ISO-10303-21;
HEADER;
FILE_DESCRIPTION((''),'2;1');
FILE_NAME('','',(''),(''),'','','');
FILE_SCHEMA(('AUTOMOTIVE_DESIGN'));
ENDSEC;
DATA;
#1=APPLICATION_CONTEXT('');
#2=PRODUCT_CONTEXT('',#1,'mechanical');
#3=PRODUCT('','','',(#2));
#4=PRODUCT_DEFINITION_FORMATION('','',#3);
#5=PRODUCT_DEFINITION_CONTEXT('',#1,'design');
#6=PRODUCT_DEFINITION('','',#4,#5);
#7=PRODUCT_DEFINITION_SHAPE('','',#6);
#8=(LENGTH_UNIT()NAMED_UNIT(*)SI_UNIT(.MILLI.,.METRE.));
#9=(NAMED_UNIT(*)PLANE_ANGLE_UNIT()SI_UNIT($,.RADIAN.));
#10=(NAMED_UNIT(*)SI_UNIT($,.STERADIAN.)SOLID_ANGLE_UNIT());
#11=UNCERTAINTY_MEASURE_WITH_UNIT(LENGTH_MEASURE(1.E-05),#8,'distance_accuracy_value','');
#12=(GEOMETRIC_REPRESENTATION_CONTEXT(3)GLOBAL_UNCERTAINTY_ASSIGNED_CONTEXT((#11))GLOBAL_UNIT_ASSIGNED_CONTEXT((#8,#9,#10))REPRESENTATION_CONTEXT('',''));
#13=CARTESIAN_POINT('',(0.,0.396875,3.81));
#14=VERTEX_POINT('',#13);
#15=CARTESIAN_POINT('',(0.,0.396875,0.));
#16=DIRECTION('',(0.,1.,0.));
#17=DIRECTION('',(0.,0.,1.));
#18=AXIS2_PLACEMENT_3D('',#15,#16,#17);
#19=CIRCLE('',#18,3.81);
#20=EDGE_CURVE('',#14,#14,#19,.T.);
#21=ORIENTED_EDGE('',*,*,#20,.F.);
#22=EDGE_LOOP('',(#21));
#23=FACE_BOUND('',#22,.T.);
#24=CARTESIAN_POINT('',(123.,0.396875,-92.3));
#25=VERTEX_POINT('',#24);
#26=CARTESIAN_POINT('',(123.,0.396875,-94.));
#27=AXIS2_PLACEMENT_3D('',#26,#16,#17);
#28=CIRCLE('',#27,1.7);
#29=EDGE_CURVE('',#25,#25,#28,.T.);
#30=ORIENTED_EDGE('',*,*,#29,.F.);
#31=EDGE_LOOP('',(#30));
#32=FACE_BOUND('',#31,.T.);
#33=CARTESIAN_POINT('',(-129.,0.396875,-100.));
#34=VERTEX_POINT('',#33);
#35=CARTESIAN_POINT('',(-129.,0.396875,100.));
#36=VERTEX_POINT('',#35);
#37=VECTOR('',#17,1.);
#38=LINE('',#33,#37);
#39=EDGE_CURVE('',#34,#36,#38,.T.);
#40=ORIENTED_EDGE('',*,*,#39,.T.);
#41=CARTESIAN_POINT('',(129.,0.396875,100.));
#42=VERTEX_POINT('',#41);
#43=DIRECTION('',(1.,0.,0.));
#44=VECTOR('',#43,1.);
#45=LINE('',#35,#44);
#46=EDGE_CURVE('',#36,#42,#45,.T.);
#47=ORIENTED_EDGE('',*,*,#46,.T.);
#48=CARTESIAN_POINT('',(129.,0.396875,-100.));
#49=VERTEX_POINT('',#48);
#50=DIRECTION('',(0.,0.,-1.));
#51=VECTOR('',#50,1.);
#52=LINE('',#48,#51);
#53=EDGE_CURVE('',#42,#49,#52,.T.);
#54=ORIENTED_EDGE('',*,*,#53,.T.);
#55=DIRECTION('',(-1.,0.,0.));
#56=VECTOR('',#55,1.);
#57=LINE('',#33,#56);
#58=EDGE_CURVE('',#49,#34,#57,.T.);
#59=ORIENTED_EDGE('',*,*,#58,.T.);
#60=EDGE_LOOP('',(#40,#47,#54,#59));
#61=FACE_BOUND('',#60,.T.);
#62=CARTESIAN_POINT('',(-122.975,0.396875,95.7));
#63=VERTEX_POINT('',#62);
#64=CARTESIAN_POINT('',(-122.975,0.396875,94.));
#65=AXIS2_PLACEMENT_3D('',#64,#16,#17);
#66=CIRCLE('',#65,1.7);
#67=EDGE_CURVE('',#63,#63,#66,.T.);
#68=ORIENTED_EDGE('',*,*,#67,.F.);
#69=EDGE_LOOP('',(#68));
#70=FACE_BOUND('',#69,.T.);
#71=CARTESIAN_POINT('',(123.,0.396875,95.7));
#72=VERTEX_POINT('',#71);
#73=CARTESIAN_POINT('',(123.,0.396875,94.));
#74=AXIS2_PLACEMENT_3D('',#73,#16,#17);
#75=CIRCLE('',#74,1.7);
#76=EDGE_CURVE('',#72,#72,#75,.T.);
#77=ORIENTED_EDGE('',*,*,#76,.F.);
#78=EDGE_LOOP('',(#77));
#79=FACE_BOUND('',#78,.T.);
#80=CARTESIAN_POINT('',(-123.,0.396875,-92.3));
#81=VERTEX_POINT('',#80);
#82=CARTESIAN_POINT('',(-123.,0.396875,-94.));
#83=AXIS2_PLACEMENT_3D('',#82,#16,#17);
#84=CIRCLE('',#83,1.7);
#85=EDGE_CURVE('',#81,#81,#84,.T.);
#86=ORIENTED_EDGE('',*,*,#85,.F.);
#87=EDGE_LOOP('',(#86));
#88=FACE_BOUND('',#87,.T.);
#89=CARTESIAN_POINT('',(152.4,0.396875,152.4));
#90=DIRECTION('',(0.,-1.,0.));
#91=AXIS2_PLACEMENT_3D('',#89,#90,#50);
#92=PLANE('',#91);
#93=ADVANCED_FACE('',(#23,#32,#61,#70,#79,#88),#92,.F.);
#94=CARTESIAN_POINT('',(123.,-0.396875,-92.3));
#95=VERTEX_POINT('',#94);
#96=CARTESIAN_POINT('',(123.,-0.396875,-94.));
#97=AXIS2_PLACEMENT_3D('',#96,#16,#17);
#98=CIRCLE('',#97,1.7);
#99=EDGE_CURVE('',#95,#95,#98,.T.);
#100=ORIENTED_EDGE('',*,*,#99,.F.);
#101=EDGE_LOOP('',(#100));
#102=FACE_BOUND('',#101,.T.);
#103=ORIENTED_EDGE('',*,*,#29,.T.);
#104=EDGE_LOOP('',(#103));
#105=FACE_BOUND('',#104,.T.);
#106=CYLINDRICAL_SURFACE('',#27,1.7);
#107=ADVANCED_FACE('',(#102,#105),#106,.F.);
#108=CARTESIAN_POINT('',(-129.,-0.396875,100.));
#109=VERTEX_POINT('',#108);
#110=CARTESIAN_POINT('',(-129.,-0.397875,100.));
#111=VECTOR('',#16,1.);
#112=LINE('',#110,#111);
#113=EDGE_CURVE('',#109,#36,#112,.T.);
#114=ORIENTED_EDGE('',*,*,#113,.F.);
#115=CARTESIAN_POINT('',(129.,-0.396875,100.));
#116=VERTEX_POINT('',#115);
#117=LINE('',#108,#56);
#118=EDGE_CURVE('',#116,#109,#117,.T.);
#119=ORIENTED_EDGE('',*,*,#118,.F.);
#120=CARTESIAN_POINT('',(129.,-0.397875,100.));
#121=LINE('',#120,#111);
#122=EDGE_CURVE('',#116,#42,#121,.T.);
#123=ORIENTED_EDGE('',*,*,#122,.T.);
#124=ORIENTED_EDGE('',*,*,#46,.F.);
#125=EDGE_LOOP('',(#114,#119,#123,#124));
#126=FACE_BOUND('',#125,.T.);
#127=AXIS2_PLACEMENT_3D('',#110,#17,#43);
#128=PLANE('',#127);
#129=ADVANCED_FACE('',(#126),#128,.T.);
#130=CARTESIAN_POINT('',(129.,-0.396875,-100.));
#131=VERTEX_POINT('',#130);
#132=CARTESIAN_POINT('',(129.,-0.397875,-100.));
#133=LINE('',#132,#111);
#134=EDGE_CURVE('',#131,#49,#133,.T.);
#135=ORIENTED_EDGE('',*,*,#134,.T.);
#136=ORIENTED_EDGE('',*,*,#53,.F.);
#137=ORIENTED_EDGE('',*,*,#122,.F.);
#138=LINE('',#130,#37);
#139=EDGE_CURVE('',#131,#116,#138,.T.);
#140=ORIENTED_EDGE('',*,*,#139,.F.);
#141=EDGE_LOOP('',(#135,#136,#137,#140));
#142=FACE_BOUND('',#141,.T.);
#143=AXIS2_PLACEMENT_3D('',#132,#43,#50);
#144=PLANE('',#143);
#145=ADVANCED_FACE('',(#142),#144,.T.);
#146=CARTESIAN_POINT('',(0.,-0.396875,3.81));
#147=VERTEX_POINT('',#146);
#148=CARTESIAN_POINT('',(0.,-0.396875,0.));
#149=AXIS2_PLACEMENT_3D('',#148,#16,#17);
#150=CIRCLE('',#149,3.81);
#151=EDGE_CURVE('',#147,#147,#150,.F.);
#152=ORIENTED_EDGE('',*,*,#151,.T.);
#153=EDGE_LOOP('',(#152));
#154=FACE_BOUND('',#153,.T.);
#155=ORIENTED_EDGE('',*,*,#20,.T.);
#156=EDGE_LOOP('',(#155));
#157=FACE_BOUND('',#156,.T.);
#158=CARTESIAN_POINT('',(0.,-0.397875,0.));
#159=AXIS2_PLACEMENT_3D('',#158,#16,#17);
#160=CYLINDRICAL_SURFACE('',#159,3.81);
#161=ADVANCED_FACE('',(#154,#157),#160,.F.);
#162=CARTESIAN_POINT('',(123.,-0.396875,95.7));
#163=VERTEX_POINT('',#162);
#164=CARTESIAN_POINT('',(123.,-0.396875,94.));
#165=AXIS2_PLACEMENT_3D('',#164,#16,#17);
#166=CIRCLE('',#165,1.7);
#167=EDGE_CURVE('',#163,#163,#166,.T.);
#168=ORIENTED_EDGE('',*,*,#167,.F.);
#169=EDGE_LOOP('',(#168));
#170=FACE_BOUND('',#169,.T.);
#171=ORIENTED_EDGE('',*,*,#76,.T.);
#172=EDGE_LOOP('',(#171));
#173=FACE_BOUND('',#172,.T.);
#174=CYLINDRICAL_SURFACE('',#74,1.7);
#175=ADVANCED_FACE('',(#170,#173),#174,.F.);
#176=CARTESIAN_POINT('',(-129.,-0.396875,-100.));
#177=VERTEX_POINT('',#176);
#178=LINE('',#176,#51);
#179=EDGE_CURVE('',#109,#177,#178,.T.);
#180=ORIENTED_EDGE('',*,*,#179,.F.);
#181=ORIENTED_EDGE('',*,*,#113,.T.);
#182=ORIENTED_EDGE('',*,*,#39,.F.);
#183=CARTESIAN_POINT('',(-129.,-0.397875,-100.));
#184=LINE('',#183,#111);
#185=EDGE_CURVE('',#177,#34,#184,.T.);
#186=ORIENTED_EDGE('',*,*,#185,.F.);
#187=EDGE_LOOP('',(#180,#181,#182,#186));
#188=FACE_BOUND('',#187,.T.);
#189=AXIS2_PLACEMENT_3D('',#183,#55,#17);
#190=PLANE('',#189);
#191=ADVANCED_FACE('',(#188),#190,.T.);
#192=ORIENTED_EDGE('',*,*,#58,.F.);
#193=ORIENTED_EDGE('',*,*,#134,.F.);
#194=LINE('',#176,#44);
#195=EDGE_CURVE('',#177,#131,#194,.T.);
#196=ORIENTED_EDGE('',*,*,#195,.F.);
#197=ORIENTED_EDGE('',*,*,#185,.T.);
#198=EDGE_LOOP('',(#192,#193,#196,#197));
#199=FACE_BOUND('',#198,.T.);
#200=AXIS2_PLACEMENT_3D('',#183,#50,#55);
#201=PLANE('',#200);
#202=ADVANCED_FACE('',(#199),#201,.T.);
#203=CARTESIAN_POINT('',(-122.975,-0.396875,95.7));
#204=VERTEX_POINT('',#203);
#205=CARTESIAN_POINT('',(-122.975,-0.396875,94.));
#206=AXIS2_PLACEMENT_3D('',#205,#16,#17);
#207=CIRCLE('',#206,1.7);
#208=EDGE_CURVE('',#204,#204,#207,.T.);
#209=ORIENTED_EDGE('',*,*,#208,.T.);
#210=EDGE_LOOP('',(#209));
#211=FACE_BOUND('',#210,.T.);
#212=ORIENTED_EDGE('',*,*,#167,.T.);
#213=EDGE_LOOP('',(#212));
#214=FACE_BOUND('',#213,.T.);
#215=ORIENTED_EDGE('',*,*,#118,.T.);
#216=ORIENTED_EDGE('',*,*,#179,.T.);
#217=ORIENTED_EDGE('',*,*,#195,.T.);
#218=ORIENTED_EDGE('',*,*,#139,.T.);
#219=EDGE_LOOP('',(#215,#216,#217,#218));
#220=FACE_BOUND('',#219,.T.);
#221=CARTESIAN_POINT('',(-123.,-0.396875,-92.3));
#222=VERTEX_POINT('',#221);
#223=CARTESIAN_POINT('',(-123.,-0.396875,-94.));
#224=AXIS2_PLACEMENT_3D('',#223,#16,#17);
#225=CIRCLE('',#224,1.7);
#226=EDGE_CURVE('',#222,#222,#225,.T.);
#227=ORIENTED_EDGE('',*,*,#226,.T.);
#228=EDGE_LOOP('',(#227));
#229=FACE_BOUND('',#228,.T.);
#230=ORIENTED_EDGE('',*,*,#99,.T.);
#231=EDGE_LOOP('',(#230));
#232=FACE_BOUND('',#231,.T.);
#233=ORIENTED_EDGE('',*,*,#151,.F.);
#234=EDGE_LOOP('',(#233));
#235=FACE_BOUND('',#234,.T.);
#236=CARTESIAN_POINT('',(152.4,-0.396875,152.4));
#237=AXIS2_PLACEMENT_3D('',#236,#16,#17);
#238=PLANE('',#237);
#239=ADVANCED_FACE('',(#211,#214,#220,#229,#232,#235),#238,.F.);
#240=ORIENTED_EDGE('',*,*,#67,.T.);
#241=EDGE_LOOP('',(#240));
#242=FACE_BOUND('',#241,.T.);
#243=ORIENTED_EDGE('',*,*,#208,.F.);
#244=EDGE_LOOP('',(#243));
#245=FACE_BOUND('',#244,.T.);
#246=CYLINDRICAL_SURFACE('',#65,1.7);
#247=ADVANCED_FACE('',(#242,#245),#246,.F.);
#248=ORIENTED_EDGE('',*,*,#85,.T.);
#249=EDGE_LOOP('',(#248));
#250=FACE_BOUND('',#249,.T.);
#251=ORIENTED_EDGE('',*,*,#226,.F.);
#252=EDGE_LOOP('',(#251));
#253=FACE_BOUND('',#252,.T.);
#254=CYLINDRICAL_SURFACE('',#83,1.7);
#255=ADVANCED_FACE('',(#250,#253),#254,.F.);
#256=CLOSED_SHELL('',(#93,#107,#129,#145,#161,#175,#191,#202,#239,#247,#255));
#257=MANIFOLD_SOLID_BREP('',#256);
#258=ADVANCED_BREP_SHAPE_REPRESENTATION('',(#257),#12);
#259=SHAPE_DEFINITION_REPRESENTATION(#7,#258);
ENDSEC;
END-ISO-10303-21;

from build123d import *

# Parameters (mm, degrees)
BOSS_EXTRUDE1_DEPTH      = 152.4
BOSS_EXTRUDE1_DEPTH_BACK = 152.4
SKETCH3_W                = 304.8
SKETCH3_H                = 0.79375
SKETCH4_OUTSIDE_W        = 393.01
SKETCH4_OUTSIDE_H        = 393.01
SKETCH4_OUTSIDE_W_2      = 258
SKETCH4_OUTSIDE_H_2      = 200
FIT2ENCLOSURE_DEPTH      = 0.79375
CUBEMOUNTHOLES_D         = 3.4
DRAINHOLE_REACH          = 165.223
SKETCH8_R                = 3.81


with BuildPart() as part:
    # Sketch3 → Boss-Extrude1 (new, two sides: drawn at the far end of the back side and taken through both)
    with BuildSketch(Plane.XY.offset(-BOSS_EXTRUDE1_DEPTH_BACK)):
        Rectangle(SKETCH3_W, SKETCH3_H)
    extrude(amount=BOSS_EXTRUDE1_DEPTH + BOSS_EXTRUDE1_DEPTH_BACK)

    # Sketch4 outside → Fit2Enclosure (cut)
    with BuildSketch(Plane(origin=(0, 0.396875, 0), x_dir=(1, 0, 0), z_dir=(0, 1, 0))):
        Rectangle(SKETCH4_OUTSIDE_W, SKETCH4_OUTSIDE_H)
        Rectangle(SKETCH4_OUTSIDE_W_2, SKETCH4_OUTSIDE_H_2, mode=Mode.SUBTRACT)
    extrude(amount=-FIT2ENCLOSURE_DEPTH, mode=Mode.SUBTRACT)

    # CubeMountHoles (through all)
    with Locations(Plane(origin=(0, 0.396875, 0), x_dir=(1, 0, 0), z_dir=(0, 1, 0))):
        with Locations((-123, 94), (123, 94), (123, -94), (-122.975, -94)):
            Hole(CUBEMOUNTHOLES_D / 2)

    # Sketch8 → DrainHole (cut, up to next)
    with BuildSketch(Plane(origin=(0, 0.396875, 0), x_dir=(1, 0, 0), z_dir=(0, 1, 0)), mode=Mode.PRIVATE) as drainhole_sk1:
        with Locations(Location((0, 0, 0), (0, 0, 270))):
            Circle(SKETCH8_R)
    drainhole_tool1 = extrude(drainhole_sk1.sketch, amount=-DRAINHOLE_REACH, mode=Mode.PRIVATE) & part.part
    add(drainhole_tool1.solids().sort_by_distance((0, 0.396875, 0))[0], mode=Mode.SUBTRACT)


solid = part.part
